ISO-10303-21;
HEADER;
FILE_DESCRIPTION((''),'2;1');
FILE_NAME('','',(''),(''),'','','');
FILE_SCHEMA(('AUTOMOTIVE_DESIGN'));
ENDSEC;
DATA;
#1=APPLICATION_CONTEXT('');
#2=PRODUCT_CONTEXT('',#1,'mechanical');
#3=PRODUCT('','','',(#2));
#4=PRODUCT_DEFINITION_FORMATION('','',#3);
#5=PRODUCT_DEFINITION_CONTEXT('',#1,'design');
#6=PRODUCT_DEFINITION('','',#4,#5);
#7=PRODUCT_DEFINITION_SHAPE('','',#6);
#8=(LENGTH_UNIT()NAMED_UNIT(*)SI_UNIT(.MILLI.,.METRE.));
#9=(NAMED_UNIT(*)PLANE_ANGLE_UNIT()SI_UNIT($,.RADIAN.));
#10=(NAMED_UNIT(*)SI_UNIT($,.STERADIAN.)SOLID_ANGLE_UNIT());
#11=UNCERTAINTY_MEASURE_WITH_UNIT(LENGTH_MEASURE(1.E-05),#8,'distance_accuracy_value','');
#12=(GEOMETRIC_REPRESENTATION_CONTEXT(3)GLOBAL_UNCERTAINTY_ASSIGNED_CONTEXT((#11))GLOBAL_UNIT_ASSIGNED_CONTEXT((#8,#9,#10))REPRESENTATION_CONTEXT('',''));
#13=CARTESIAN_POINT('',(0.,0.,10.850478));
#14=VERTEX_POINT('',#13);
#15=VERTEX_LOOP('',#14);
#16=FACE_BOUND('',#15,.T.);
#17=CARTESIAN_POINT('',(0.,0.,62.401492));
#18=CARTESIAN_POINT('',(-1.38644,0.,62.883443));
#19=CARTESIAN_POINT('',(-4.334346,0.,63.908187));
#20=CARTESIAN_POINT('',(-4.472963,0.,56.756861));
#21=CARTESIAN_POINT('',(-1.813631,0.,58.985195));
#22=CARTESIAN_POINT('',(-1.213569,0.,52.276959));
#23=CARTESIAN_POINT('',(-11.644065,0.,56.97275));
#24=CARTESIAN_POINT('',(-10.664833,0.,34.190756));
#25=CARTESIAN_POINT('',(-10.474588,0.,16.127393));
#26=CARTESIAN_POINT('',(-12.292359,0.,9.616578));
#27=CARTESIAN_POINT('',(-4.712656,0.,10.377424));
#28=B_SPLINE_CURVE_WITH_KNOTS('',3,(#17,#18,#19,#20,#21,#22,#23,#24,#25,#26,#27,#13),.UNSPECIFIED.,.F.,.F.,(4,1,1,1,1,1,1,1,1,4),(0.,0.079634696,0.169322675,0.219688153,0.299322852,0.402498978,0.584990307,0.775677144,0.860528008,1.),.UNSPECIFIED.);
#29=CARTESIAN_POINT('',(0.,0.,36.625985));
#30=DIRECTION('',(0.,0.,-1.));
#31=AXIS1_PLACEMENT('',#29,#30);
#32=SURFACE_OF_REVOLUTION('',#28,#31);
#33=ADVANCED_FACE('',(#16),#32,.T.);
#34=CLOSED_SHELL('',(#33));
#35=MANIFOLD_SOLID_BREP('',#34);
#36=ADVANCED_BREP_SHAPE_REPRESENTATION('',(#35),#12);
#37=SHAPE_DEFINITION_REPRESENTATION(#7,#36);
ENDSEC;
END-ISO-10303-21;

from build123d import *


with BuildPart() as f1:
    # F0 (on Front) → F1 (revolve)
    with BuildSketch(Plane.XZ):
        with BuildLine():
            Line((0, 10.8504779637), (0, 62.4014921486))
            add(Edge.make_bspline(
                [(0, 62.4014921486), (-1.3864395023, 62.8834429719), (-4.3343460819, 63.9081872905), (-4.4729626532, 56.7568612665), (-1.813631276, 58.9851952428), (-1.2135688876, 52.2769585488), (-11.6440646077, 56.9727502009), (-10.6648327966, 34.1907560237), (-10.4745884398, 16.12739273), (-12.2923592002, 9.6165777799), (-4.7126555797, 10.3774242161), (0, 10.8504779637)],
                knots=[0, 0, 0, 0, 0.0796346961, 0.1693226746, 0.2196881534, 0.2993228521, 0.4024989776, 0.5849903074, 0.7756771439, 0.8605280084, 1, 1, 1, 1], degree=3))
        make_face()
    revolve(axis=Axis((0, 0, 36.6259850562), (0, 0, -1)))


solid = f1.part
